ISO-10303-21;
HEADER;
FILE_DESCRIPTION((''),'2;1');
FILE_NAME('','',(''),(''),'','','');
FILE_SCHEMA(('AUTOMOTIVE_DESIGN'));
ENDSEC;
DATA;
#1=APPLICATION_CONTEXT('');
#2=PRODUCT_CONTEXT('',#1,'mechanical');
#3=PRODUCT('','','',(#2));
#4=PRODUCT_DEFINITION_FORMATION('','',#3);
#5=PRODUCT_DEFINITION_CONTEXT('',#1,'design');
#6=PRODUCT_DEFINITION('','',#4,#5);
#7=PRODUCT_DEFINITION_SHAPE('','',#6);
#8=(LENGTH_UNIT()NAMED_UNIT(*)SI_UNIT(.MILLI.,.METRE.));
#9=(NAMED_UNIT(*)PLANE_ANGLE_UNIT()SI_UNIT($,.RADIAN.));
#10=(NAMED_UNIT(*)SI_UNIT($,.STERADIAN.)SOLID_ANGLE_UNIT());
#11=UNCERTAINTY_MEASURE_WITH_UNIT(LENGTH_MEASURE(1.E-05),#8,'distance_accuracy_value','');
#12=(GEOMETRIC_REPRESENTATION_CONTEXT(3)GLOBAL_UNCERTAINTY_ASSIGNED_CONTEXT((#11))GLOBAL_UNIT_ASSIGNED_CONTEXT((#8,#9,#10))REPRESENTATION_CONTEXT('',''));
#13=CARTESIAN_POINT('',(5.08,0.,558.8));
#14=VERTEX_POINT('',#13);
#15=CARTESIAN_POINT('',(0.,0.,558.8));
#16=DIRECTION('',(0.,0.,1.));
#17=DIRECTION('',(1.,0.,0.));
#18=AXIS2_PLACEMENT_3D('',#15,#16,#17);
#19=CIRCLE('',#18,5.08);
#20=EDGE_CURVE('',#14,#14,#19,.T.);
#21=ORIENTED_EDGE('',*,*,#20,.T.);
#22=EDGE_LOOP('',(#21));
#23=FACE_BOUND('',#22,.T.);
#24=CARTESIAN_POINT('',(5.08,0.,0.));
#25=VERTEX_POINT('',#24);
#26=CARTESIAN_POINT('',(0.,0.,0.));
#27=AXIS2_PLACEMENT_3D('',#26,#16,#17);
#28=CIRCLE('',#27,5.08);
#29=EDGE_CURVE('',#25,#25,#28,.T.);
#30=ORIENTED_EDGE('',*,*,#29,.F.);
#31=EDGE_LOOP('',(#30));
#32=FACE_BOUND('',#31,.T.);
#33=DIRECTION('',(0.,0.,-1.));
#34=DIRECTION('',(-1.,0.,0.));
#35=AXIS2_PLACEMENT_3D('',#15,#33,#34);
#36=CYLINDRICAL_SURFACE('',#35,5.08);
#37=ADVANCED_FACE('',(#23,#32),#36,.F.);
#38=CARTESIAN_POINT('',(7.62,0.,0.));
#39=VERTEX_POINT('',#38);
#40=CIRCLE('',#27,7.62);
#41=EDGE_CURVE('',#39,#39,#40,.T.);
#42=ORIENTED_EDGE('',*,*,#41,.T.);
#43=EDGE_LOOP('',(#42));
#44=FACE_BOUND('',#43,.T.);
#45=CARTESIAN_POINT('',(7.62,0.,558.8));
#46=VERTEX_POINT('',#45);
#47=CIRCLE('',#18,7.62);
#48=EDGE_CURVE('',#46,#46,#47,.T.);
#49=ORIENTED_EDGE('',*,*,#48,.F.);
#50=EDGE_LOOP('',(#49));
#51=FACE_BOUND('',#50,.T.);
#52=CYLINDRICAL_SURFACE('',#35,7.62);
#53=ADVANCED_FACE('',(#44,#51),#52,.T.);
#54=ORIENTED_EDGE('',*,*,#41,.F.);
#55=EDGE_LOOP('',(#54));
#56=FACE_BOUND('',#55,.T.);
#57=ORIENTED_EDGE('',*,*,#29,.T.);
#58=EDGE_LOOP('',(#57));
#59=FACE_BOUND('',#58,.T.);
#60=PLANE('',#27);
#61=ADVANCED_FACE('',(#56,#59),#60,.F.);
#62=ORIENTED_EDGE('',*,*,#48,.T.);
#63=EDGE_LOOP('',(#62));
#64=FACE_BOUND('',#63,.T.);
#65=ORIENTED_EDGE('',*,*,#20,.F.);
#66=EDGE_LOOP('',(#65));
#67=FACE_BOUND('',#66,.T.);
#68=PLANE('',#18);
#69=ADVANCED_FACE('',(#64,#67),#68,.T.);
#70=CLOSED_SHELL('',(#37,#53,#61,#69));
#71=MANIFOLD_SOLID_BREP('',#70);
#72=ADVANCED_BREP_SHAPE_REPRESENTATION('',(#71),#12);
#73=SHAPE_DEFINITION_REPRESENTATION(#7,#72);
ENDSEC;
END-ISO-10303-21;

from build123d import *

# Parameters (mm, degrees)
SKETCH1_R           = 7.62
SKETCH1_R_2         = 5.08
BOSS_EXTRUDE1_DEPTH = 558.8


with BuildPart() as part:
    # Sketch1 → Boss-Extrude1 (new body)
    with BuildSketch(Plane.XY):
        Circle(SKETCH1_R)
        Circle(SKETCH1_R_2, mode=Mode.SUBTRACT)
    extrude(amount=BOSS_EXTRUDE1_DEPTH)


solid = part.part
